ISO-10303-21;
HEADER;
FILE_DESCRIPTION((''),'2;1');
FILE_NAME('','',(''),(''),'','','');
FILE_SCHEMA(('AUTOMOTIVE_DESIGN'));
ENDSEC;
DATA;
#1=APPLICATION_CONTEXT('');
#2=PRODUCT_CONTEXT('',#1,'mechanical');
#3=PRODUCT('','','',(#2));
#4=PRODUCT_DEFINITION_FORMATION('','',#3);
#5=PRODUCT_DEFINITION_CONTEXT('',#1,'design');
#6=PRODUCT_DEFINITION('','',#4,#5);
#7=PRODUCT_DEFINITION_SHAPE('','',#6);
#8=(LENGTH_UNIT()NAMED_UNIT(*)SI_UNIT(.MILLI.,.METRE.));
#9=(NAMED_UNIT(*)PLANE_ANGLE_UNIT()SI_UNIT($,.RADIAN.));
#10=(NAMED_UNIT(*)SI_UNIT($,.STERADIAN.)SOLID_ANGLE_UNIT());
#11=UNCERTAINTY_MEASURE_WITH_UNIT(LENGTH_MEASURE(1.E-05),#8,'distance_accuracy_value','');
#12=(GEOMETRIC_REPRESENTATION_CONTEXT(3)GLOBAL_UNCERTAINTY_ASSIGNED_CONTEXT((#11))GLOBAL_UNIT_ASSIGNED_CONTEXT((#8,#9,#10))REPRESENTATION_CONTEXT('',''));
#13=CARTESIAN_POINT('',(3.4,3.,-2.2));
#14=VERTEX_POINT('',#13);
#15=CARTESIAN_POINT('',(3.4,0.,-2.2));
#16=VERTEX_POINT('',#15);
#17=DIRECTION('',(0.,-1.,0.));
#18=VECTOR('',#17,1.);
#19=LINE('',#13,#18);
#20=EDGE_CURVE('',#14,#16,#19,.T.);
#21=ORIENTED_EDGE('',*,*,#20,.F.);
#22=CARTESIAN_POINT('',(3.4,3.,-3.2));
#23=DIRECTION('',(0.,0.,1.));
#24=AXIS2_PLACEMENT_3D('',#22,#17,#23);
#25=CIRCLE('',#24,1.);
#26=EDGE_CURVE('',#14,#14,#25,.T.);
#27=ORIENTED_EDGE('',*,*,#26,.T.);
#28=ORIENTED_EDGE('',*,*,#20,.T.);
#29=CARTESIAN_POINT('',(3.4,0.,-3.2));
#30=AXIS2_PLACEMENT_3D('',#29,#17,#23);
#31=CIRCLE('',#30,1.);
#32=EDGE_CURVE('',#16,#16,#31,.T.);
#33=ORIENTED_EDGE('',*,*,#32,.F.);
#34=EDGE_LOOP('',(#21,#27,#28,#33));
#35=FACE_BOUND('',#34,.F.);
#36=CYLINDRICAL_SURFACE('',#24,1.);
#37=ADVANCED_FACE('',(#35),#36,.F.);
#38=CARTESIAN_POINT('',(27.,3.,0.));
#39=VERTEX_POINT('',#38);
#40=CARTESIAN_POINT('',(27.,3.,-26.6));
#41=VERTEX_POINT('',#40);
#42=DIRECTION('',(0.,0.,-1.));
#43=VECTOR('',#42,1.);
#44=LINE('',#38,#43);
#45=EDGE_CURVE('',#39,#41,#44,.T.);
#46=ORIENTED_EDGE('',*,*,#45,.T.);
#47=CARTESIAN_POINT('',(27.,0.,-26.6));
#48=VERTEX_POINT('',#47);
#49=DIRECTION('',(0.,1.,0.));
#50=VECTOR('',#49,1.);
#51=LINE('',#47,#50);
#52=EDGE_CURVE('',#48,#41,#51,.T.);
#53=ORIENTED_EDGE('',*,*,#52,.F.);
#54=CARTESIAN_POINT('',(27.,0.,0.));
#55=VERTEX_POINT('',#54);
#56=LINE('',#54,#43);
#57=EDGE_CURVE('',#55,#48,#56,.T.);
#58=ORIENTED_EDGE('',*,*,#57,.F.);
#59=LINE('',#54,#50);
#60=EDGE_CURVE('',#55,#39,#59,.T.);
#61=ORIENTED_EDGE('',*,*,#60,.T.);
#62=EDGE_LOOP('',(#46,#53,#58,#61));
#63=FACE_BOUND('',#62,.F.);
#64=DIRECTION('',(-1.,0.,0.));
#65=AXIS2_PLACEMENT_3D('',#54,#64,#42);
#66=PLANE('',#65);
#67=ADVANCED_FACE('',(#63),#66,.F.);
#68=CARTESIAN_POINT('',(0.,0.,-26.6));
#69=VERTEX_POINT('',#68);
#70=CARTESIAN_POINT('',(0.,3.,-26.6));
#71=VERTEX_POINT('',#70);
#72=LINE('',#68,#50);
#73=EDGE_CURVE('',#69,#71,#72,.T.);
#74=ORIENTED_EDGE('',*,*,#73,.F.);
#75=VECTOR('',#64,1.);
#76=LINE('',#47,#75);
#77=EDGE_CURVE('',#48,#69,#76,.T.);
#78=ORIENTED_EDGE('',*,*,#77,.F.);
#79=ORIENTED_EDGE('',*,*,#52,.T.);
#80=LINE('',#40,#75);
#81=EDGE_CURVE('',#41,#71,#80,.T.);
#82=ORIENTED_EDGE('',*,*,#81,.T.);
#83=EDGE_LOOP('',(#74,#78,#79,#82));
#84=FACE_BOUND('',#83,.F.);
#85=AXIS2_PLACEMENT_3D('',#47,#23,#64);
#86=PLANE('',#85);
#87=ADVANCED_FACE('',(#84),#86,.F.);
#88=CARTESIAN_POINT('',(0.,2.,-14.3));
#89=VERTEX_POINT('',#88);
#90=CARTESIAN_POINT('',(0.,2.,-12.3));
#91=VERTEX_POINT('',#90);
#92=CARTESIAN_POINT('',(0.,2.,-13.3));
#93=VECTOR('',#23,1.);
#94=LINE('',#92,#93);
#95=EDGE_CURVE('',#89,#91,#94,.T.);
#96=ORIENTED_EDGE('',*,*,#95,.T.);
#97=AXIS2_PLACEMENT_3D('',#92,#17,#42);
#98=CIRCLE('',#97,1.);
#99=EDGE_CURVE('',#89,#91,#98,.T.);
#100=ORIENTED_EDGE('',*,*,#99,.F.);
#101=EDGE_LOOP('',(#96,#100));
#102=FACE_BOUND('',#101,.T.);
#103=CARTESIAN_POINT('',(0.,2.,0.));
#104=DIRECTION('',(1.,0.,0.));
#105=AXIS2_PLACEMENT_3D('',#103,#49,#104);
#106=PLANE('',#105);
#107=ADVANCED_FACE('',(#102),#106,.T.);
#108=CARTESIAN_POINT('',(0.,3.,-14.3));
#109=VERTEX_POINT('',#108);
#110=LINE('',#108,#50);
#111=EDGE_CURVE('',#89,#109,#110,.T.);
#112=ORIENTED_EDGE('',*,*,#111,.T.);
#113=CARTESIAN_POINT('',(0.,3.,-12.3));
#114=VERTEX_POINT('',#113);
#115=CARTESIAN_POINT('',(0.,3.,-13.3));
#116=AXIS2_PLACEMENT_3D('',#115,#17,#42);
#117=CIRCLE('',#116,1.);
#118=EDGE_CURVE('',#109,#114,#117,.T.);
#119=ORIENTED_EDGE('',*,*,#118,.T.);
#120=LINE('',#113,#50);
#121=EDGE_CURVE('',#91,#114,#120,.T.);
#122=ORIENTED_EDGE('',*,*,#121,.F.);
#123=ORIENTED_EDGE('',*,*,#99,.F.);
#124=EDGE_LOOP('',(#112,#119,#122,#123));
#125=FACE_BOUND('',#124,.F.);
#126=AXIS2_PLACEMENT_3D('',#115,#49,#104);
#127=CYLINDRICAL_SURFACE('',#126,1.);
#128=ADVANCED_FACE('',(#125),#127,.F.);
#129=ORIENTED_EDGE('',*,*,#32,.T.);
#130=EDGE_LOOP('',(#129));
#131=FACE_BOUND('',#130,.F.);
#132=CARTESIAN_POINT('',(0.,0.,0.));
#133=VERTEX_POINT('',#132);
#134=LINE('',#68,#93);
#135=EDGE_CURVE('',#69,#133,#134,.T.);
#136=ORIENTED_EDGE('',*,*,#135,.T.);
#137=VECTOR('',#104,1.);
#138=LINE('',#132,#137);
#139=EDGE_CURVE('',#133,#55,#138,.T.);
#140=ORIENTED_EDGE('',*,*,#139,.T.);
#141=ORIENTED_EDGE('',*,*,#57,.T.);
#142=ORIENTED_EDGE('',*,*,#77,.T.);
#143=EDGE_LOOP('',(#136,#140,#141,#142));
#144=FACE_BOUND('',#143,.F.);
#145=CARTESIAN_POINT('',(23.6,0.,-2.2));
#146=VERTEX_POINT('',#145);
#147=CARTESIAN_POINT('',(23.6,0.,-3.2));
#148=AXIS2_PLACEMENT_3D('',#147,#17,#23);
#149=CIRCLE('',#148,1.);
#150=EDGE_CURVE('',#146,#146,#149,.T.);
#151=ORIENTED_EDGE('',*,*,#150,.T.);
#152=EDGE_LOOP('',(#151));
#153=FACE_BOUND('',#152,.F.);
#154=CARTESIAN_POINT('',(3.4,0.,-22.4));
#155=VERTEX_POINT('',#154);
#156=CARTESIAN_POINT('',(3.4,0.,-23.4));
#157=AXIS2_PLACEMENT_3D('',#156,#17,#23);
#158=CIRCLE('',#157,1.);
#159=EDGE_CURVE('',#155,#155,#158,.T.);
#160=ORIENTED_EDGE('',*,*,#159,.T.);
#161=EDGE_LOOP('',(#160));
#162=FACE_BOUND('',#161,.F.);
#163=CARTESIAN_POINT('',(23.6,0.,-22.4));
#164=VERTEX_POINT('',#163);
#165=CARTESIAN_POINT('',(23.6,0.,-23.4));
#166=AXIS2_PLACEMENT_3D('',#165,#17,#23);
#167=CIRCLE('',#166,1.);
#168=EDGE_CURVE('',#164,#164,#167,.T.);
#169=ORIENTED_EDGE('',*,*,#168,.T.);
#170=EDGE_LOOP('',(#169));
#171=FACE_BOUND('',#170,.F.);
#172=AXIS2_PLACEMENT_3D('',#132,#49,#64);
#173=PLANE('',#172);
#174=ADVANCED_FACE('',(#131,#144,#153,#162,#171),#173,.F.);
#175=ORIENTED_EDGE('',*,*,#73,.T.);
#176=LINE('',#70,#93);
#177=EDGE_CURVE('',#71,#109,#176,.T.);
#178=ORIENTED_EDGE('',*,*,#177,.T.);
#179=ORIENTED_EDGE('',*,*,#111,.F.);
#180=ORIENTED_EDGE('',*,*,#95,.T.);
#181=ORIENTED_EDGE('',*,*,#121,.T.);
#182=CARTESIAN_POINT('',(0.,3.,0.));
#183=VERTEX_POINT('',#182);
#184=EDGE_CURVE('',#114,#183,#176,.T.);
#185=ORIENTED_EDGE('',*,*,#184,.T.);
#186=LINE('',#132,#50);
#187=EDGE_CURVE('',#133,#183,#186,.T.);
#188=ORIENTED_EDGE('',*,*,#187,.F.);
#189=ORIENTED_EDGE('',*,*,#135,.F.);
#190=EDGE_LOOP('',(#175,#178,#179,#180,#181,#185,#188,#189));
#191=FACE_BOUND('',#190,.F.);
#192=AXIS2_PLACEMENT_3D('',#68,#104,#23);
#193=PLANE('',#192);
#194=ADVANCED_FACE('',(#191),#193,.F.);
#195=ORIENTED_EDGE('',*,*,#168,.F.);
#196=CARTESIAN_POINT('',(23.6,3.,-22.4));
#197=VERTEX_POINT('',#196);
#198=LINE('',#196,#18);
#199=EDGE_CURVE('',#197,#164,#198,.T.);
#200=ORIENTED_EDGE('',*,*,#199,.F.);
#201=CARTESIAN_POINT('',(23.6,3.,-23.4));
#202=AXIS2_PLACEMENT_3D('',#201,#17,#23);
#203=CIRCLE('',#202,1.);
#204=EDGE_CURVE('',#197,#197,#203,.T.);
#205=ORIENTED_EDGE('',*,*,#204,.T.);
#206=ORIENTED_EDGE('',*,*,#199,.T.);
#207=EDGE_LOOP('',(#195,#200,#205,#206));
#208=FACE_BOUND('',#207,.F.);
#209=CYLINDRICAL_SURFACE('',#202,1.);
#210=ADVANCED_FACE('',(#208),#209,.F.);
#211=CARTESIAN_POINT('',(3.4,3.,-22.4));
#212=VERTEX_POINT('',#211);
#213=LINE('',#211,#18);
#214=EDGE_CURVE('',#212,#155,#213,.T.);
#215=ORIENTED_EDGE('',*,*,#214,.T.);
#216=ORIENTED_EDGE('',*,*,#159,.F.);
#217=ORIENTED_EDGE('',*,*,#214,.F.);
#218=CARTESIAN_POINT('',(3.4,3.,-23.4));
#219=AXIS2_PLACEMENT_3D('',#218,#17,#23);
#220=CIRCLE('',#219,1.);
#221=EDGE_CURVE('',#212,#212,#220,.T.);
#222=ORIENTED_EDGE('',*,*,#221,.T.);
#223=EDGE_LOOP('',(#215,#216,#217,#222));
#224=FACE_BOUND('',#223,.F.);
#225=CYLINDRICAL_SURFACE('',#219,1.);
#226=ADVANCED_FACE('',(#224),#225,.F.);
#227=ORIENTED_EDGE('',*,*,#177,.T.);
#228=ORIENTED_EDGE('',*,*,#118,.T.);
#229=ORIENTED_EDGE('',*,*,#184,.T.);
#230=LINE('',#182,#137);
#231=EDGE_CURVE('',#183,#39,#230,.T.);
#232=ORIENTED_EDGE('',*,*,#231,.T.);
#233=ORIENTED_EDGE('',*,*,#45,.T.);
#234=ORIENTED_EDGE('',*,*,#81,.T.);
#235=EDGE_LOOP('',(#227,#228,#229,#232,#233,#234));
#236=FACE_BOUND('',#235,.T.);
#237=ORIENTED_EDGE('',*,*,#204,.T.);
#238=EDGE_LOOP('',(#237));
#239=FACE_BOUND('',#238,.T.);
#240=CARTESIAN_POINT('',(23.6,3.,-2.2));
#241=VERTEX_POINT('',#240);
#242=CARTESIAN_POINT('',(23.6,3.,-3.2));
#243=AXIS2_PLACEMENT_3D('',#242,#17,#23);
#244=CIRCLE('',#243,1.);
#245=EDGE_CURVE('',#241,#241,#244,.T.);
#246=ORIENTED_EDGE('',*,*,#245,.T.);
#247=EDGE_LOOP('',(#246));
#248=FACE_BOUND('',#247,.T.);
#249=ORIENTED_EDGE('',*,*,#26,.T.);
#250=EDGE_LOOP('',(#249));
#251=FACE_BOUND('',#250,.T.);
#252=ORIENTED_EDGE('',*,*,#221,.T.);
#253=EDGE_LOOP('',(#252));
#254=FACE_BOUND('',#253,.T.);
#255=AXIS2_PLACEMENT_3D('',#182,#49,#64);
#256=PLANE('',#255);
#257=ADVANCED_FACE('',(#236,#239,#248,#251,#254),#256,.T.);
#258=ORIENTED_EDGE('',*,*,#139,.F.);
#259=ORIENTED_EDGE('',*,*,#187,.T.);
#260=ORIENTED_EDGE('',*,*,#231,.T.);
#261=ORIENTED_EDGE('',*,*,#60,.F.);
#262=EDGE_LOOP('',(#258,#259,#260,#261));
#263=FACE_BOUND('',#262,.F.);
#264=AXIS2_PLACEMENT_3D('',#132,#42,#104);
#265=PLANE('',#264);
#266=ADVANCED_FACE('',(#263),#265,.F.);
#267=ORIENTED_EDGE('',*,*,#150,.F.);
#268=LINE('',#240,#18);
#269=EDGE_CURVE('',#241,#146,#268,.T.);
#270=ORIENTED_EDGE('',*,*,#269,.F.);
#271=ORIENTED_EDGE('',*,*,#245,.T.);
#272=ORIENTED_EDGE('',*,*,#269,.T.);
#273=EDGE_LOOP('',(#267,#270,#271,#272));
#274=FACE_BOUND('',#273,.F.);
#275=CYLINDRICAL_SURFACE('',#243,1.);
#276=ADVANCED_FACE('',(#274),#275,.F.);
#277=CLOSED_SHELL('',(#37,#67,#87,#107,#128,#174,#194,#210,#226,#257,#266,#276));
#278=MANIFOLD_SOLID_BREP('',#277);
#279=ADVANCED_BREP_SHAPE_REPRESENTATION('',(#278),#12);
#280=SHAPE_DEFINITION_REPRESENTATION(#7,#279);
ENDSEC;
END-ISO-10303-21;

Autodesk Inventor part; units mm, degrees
ref_plane "YZ Plane" through (0, 0, 0) normal (1, 0, 0) x (0, 1, 0)
ref_plane "XZ Plane" through (0, 0, 0) normal (0, 1, 0) x (-1, 0, 0)
ref_plane "XY Plane" through (0, 0, 0) normal (0, 0, 1) x (1, 0, 0)
sketch "Sketch1" plane through (0, 0, 0) normal (0, 1, 0) x (-1, 0, 0)
  line L0 (0, 0) -> (-27, 0)
  line L1 (-27, 0) -> (-27, -26.6)
  line L2 (-27, -26.6) -> (0, -26.6)
  line L3 (0, -26.6) -> (0, 0)
  dimension "d0" = 27
  dimension "d1" = 26.6
extrude "Extrusion1" add sketch "Sketch1" along normal blind 3
sketch "Sketch2" plane through (0, 3, 0) normal (0, 1, 0) x (1, 0, 0)
  line L0 (0, 26.6) -> (0, 0) projected
  circle A0 centre (0, 13.3) radius 1
  dimension "d4" = 2
extrude "Extrusion2" cut sketch "Sketch2" against normal blind 1
sketch "Sketch3" plane through (0, 3, 0) normal (0, 1, 0) x (1, 0, 0)
  point P0 (0, 0)
  point P1 (3.4, 3.2)
  point P2 (23.6, 3.2)
  point P3 (23.6, 23.4)
  point P4 (3.4, 23.4)
hole "Hole1" at (3.4, 3, -3.2) at (23.6, 3, -3.2) at (23.6, 3, -23.4) at (3.4, 3, -23.4) direction (0, -1, 0) diameter 2 end through all
sketch "Sketch4" plane through (0, 3, 0) normal (0, 1, 0) x (1, 0, 0)
  point P0 (0, 0)
properties part number "Top mount"
